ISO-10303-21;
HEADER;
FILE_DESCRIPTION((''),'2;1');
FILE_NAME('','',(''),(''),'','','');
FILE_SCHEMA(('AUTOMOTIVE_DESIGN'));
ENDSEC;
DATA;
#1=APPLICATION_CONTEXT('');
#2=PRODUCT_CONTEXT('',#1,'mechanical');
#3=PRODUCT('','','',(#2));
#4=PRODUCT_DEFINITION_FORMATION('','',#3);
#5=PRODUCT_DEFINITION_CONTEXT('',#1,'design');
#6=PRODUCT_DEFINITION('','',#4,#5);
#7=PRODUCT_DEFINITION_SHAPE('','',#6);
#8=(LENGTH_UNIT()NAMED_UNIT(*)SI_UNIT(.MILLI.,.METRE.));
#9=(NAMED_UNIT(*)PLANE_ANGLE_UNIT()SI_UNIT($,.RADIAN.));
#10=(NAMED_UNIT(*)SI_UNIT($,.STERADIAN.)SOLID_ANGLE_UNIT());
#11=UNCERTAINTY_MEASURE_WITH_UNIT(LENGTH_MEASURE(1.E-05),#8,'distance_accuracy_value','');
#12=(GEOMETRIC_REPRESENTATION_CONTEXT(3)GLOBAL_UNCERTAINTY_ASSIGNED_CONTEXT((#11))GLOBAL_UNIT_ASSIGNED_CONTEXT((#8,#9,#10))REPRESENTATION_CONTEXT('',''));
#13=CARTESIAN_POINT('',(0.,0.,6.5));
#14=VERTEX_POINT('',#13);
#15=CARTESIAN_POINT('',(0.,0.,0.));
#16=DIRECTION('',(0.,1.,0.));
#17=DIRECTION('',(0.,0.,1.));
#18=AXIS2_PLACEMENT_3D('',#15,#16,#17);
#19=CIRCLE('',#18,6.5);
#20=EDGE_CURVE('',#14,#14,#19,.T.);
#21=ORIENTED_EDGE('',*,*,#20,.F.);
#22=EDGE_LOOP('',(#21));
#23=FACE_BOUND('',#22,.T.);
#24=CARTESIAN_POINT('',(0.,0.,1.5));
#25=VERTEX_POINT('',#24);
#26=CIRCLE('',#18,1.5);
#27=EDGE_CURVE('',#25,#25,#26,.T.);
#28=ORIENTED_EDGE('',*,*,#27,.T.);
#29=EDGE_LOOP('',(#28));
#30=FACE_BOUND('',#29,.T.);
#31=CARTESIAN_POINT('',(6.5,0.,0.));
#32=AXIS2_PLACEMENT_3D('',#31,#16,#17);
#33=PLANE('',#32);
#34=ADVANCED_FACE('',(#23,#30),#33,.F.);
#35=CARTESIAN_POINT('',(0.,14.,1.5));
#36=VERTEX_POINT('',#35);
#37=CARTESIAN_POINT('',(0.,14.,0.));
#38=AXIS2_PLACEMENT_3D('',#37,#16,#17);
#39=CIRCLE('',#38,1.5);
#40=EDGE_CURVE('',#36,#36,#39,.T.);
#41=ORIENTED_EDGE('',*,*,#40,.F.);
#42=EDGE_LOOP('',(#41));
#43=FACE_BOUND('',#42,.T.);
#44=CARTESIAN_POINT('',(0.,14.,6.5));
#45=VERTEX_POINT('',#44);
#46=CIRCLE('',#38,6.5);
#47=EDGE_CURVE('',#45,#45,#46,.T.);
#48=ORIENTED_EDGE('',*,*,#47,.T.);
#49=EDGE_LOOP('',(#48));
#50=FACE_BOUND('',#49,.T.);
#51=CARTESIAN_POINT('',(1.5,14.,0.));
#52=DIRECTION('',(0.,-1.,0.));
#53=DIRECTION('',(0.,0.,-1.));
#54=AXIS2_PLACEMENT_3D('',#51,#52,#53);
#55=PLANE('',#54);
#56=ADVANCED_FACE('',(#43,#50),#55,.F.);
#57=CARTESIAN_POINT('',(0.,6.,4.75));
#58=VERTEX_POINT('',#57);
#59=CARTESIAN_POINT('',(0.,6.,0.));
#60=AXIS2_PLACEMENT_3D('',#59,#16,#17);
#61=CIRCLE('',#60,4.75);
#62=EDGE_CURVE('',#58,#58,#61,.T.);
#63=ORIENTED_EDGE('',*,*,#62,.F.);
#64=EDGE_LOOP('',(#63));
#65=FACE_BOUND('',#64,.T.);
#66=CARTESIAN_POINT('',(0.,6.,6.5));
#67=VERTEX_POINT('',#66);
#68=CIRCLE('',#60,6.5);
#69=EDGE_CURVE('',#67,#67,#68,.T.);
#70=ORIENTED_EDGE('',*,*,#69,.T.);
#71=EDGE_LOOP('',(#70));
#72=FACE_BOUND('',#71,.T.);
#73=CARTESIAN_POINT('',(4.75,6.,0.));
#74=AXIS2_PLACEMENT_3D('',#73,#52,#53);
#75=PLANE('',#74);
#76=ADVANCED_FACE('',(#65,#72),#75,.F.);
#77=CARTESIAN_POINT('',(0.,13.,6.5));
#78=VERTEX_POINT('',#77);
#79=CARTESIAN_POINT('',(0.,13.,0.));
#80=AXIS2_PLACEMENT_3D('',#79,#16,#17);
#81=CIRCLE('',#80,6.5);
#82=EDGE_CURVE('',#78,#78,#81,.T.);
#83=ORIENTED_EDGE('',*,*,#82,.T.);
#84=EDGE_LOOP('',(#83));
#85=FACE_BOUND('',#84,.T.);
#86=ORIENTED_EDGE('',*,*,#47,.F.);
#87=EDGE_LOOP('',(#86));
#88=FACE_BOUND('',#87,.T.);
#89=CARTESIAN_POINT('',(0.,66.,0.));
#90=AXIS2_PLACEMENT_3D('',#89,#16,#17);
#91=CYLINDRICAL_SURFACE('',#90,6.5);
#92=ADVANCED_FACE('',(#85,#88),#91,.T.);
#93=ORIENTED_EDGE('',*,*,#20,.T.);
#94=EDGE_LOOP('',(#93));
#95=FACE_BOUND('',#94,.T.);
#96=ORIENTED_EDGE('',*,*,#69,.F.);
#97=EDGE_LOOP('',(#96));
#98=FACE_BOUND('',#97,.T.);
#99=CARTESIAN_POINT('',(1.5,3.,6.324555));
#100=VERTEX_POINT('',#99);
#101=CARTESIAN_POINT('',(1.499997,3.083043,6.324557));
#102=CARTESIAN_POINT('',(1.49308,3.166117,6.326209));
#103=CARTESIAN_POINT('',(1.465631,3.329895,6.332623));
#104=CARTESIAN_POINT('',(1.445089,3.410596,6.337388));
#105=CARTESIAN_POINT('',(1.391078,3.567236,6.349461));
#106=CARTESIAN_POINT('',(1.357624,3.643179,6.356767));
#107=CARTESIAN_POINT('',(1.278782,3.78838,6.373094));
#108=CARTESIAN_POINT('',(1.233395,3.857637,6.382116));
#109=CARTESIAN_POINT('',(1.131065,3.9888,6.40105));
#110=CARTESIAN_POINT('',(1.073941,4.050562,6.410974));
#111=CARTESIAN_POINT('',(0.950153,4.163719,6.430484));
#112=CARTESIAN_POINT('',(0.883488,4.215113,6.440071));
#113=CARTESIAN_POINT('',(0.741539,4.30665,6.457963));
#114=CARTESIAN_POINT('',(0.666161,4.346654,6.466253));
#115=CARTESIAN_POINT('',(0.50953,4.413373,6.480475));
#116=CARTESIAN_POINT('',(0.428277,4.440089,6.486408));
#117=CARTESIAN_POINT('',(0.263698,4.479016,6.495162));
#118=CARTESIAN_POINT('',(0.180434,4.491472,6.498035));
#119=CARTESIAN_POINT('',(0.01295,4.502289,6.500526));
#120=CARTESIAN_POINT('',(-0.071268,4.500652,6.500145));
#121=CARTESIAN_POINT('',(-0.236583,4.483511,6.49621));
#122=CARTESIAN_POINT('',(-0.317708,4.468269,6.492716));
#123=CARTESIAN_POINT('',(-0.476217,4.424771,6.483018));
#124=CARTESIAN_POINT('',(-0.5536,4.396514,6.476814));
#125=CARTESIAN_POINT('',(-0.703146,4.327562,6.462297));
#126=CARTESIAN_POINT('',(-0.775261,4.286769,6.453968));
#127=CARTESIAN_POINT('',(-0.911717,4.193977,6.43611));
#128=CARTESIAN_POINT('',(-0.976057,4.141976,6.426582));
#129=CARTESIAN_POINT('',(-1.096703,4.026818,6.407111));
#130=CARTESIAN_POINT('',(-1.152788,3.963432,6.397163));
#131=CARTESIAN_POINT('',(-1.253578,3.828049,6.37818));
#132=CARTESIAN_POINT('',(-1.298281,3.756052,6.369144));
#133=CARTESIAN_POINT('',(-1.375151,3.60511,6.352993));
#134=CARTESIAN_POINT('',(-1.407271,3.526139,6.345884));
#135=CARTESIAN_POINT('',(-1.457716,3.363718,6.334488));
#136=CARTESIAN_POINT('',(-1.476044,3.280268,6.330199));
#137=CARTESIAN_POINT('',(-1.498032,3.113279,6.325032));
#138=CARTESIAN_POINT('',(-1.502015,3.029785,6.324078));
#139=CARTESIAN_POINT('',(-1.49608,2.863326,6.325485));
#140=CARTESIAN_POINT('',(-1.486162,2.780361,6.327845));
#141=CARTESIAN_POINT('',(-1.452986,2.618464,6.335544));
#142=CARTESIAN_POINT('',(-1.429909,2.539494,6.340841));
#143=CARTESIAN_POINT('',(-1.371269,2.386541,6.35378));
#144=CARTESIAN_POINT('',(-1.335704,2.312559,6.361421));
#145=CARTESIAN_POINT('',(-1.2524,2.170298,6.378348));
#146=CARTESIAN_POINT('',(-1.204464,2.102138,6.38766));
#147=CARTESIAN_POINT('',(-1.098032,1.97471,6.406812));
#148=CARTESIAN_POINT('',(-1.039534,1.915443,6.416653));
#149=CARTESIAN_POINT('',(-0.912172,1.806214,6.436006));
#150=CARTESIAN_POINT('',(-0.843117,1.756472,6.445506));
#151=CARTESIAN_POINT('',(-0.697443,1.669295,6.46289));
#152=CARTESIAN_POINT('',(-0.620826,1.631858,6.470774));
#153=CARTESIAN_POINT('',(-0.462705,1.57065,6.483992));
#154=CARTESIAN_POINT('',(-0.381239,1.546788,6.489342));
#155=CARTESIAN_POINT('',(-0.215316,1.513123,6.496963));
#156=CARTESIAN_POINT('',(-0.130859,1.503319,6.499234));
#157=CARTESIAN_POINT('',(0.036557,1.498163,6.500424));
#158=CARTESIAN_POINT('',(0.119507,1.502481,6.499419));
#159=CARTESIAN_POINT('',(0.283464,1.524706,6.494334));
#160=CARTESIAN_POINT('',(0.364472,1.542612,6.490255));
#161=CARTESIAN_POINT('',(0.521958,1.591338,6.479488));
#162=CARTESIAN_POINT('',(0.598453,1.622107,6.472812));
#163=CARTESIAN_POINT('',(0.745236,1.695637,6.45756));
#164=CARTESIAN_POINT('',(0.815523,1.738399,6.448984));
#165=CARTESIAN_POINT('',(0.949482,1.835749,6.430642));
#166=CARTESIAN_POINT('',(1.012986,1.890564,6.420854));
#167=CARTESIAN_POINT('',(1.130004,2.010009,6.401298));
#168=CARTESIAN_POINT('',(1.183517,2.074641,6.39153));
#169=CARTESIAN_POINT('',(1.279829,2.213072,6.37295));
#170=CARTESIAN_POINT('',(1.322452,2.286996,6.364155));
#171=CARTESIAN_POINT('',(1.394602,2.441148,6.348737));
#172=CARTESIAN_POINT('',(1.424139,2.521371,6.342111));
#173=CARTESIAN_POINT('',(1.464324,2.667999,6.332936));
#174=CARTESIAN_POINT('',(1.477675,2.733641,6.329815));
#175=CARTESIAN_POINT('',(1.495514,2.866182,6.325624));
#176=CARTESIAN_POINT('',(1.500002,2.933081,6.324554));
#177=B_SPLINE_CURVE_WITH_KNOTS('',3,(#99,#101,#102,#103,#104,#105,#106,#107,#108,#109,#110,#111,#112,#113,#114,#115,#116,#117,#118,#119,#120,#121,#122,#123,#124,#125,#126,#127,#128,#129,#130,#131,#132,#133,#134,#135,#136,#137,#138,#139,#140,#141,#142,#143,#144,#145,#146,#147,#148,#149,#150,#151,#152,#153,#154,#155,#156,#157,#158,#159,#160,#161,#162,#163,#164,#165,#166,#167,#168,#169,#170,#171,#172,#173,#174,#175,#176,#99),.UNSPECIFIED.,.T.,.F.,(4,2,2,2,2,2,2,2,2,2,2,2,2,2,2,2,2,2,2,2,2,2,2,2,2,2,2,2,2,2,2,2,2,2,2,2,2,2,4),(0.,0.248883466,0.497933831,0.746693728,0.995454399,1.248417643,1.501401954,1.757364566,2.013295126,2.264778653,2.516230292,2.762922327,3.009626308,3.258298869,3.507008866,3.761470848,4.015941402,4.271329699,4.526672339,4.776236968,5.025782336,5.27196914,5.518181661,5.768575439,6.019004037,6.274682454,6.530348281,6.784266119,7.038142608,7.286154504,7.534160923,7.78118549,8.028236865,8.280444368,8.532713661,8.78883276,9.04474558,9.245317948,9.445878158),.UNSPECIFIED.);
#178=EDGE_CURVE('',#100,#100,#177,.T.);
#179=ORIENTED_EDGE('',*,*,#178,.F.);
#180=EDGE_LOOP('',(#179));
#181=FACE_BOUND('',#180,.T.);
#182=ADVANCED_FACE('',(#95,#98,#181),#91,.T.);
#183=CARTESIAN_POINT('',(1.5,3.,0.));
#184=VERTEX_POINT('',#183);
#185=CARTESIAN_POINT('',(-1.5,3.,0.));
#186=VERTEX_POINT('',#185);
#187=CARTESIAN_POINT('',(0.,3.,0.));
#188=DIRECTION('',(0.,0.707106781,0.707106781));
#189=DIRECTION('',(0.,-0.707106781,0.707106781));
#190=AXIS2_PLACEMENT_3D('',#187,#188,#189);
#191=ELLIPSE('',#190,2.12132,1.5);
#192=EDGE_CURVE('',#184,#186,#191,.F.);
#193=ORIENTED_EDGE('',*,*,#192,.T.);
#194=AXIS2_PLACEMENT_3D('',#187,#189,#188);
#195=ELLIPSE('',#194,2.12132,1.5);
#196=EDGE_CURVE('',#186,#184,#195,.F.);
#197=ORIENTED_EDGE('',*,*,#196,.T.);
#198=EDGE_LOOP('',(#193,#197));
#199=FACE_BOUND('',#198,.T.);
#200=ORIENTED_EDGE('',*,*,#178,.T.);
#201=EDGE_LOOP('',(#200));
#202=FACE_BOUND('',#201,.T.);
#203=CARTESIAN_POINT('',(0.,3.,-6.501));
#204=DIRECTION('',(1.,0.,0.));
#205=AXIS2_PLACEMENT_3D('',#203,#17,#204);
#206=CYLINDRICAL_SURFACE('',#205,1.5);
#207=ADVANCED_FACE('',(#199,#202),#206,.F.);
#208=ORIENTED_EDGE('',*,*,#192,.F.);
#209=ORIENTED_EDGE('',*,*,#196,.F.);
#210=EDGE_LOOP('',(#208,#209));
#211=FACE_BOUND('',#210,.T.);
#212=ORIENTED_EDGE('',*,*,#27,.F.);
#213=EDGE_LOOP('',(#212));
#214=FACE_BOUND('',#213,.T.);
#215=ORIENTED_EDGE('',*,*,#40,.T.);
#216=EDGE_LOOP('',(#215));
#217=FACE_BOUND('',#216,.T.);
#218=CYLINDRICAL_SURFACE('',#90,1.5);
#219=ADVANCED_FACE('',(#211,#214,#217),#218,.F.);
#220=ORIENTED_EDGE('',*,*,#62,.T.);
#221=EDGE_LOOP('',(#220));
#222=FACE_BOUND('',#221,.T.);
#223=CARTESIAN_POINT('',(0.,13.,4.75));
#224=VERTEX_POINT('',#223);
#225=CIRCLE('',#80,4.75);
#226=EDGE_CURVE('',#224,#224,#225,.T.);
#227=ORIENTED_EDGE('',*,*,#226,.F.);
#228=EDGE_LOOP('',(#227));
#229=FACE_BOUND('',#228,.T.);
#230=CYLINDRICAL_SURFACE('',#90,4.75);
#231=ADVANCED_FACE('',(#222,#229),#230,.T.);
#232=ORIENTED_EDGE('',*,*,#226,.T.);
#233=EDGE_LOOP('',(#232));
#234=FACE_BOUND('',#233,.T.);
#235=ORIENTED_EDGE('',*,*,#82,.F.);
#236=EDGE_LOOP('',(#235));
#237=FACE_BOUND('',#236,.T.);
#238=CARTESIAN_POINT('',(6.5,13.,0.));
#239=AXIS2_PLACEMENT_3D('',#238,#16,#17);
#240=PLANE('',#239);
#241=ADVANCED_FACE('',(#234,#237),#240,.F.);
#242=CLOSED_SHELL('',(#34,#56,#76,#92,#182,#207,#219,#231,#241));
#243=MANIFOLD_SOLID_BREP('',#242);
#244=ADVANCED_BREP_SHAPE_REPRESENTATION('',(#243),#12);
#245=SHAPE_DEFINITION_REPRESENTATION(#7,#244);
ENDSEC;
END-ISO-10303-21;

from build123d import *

# Parameters (mm, degrees)
CUT_EXTRUDE_1_REACH      = 22.18
CUT_EXTRUDE_1_END_RADIUS = 1.5


with BuildPart() as part:
    # 草图2 → 旋转1 (revolve)
    with BuildSketch(Plane.XY, mode=Mode.PRIVATE) as revolve_1_sk:
        Polygon((1.5, 14), (6.5, 14), (6.5, 13), (4.75, 13), (4.75, 6), (6.5, 6), (6.5, 0), (1.5, 0), align=None)
    revolve(revolve_1_sk.sketch.rotate(Axis((0, 66, 0), (0, -1, 0)), 90), axis=Axis((0, 66, 0), (0, -1, 0)))

    # 切除-拉伸1: up to this cylinder (the profile starts outside it)
    cut_extrude_1_end = Plane(origin=(0, 3, 0), z_dir=(0, 1, 0)) * Cylinder(CUT_EXTRUDE_1_END_RADIUS, 48.36, mode=Mode.PRIVATE)
    # 草图3 → 切除-拉伸1 (cut, up to the surface)
    with BuildSketch(Plane.XY.offset(6.5), mode=Mode.PRIVATE) as cut_extrude_1_sk1:
        with BuildLine():
            ThreePointArc((1.5, 3), (1.060660172, 4.060660172), (0, 4.5))
            Line((0, 4.5), (0, 1.5))
            ThreePointArc((0, 1.5), (1.060660172, 1.939339828), (1.5, 3))
        make_face()
    cut_extrude_1_tool1 = extrude(cut_extrude_1_sk1.sketch, amount=-CUT_EXTRUDE_1_REACH, mode=Mode.PRIVATE) - cut_extrude_1_end
    add(cut_extrude_1_tool1.solids().sort_by_distance((0.63662, 3, 6.5))[0], mode=Mode.SUBTRACT)
    # 草图3 → 切除-拉伸1 (cut, up to the surface)
    with BuildSketch(Plane.XY.offset(6.5), mode=Mode.PRIVATE) as cut_extrude_1_sk2:
        with BuildLine():
            Line((0, 1.5), (0, 4.5))
            ThreePointArc((0, 4.5), (-1.5, 3), (0, 1.5))
        make_face()
    cut_extrude_1_tool2 = extrude(cut_extrude_1_sk2.sketch, amount=-CUT_EXTRUDE_1_REACH, mode=Mode.PRIVATE) - cut_extrude_1_end
    add(cut_extrude_1_tool2.solids().sort_by_distance((-0.63662, 3, 6.5))[0], mode=Mode.SUBTRACT)
    # 草图3 → 切除-拉伸1 (cut, up to the surface)
    with BuildSketch(Plane.XY.offset(6.5), mode=Mode.PRIVATE) as cut_extrude_1_sk3:
        with BuildLine():
            ThreePointArc((1.5, 3), (1.060660172, 4.060660172), (0, 4.5))
            Line((0, 4.5), (0, 1.5))
            ThreePointArc((0, 1.5), (1.060660172, 1.939339828), (1.5, 3))
        make_face()
    cut_extrude_1_tool3 = extrude(cut_extrude_1_sk3.sketch, amount=-CUT_EXTRUDE_1_REACH, mode=Mode.PRIVATE) - cut_extrude_1_end
    add(cut_extrude_1_tool3.solids().sort_by_distance((0.63662, 3, 6.5))[0], mode=Mode.SUBTRACT)
    # 草图3 → 切除-拉伸1 (cut, up to the surface)
    with BuildSketch(Plane.XY.offset(6.5), mode=Mode.PRIVATE) as cut_extrude_1_sk4:
        with BuildLine():
            Line((0, 1.5), (0, 4.5))
            ThreePointArc((0, 4.5), (-1.5, 3), (0, 1.5))
        make_face()
    cut_extrude_1_tool4 = extrude(cut_extrude_1_sk4.sketch, amount=-CUT_EXTRUDE_1_REACH, mode=Mode.PRIVATE) - cut_extrude_1_end
    add(cut_extrude_1_tool4.solids().sort_by_distance((-0.63662, 3, 6.5))[0], mode=Mode.SUBTRACT)


solid = part.part
